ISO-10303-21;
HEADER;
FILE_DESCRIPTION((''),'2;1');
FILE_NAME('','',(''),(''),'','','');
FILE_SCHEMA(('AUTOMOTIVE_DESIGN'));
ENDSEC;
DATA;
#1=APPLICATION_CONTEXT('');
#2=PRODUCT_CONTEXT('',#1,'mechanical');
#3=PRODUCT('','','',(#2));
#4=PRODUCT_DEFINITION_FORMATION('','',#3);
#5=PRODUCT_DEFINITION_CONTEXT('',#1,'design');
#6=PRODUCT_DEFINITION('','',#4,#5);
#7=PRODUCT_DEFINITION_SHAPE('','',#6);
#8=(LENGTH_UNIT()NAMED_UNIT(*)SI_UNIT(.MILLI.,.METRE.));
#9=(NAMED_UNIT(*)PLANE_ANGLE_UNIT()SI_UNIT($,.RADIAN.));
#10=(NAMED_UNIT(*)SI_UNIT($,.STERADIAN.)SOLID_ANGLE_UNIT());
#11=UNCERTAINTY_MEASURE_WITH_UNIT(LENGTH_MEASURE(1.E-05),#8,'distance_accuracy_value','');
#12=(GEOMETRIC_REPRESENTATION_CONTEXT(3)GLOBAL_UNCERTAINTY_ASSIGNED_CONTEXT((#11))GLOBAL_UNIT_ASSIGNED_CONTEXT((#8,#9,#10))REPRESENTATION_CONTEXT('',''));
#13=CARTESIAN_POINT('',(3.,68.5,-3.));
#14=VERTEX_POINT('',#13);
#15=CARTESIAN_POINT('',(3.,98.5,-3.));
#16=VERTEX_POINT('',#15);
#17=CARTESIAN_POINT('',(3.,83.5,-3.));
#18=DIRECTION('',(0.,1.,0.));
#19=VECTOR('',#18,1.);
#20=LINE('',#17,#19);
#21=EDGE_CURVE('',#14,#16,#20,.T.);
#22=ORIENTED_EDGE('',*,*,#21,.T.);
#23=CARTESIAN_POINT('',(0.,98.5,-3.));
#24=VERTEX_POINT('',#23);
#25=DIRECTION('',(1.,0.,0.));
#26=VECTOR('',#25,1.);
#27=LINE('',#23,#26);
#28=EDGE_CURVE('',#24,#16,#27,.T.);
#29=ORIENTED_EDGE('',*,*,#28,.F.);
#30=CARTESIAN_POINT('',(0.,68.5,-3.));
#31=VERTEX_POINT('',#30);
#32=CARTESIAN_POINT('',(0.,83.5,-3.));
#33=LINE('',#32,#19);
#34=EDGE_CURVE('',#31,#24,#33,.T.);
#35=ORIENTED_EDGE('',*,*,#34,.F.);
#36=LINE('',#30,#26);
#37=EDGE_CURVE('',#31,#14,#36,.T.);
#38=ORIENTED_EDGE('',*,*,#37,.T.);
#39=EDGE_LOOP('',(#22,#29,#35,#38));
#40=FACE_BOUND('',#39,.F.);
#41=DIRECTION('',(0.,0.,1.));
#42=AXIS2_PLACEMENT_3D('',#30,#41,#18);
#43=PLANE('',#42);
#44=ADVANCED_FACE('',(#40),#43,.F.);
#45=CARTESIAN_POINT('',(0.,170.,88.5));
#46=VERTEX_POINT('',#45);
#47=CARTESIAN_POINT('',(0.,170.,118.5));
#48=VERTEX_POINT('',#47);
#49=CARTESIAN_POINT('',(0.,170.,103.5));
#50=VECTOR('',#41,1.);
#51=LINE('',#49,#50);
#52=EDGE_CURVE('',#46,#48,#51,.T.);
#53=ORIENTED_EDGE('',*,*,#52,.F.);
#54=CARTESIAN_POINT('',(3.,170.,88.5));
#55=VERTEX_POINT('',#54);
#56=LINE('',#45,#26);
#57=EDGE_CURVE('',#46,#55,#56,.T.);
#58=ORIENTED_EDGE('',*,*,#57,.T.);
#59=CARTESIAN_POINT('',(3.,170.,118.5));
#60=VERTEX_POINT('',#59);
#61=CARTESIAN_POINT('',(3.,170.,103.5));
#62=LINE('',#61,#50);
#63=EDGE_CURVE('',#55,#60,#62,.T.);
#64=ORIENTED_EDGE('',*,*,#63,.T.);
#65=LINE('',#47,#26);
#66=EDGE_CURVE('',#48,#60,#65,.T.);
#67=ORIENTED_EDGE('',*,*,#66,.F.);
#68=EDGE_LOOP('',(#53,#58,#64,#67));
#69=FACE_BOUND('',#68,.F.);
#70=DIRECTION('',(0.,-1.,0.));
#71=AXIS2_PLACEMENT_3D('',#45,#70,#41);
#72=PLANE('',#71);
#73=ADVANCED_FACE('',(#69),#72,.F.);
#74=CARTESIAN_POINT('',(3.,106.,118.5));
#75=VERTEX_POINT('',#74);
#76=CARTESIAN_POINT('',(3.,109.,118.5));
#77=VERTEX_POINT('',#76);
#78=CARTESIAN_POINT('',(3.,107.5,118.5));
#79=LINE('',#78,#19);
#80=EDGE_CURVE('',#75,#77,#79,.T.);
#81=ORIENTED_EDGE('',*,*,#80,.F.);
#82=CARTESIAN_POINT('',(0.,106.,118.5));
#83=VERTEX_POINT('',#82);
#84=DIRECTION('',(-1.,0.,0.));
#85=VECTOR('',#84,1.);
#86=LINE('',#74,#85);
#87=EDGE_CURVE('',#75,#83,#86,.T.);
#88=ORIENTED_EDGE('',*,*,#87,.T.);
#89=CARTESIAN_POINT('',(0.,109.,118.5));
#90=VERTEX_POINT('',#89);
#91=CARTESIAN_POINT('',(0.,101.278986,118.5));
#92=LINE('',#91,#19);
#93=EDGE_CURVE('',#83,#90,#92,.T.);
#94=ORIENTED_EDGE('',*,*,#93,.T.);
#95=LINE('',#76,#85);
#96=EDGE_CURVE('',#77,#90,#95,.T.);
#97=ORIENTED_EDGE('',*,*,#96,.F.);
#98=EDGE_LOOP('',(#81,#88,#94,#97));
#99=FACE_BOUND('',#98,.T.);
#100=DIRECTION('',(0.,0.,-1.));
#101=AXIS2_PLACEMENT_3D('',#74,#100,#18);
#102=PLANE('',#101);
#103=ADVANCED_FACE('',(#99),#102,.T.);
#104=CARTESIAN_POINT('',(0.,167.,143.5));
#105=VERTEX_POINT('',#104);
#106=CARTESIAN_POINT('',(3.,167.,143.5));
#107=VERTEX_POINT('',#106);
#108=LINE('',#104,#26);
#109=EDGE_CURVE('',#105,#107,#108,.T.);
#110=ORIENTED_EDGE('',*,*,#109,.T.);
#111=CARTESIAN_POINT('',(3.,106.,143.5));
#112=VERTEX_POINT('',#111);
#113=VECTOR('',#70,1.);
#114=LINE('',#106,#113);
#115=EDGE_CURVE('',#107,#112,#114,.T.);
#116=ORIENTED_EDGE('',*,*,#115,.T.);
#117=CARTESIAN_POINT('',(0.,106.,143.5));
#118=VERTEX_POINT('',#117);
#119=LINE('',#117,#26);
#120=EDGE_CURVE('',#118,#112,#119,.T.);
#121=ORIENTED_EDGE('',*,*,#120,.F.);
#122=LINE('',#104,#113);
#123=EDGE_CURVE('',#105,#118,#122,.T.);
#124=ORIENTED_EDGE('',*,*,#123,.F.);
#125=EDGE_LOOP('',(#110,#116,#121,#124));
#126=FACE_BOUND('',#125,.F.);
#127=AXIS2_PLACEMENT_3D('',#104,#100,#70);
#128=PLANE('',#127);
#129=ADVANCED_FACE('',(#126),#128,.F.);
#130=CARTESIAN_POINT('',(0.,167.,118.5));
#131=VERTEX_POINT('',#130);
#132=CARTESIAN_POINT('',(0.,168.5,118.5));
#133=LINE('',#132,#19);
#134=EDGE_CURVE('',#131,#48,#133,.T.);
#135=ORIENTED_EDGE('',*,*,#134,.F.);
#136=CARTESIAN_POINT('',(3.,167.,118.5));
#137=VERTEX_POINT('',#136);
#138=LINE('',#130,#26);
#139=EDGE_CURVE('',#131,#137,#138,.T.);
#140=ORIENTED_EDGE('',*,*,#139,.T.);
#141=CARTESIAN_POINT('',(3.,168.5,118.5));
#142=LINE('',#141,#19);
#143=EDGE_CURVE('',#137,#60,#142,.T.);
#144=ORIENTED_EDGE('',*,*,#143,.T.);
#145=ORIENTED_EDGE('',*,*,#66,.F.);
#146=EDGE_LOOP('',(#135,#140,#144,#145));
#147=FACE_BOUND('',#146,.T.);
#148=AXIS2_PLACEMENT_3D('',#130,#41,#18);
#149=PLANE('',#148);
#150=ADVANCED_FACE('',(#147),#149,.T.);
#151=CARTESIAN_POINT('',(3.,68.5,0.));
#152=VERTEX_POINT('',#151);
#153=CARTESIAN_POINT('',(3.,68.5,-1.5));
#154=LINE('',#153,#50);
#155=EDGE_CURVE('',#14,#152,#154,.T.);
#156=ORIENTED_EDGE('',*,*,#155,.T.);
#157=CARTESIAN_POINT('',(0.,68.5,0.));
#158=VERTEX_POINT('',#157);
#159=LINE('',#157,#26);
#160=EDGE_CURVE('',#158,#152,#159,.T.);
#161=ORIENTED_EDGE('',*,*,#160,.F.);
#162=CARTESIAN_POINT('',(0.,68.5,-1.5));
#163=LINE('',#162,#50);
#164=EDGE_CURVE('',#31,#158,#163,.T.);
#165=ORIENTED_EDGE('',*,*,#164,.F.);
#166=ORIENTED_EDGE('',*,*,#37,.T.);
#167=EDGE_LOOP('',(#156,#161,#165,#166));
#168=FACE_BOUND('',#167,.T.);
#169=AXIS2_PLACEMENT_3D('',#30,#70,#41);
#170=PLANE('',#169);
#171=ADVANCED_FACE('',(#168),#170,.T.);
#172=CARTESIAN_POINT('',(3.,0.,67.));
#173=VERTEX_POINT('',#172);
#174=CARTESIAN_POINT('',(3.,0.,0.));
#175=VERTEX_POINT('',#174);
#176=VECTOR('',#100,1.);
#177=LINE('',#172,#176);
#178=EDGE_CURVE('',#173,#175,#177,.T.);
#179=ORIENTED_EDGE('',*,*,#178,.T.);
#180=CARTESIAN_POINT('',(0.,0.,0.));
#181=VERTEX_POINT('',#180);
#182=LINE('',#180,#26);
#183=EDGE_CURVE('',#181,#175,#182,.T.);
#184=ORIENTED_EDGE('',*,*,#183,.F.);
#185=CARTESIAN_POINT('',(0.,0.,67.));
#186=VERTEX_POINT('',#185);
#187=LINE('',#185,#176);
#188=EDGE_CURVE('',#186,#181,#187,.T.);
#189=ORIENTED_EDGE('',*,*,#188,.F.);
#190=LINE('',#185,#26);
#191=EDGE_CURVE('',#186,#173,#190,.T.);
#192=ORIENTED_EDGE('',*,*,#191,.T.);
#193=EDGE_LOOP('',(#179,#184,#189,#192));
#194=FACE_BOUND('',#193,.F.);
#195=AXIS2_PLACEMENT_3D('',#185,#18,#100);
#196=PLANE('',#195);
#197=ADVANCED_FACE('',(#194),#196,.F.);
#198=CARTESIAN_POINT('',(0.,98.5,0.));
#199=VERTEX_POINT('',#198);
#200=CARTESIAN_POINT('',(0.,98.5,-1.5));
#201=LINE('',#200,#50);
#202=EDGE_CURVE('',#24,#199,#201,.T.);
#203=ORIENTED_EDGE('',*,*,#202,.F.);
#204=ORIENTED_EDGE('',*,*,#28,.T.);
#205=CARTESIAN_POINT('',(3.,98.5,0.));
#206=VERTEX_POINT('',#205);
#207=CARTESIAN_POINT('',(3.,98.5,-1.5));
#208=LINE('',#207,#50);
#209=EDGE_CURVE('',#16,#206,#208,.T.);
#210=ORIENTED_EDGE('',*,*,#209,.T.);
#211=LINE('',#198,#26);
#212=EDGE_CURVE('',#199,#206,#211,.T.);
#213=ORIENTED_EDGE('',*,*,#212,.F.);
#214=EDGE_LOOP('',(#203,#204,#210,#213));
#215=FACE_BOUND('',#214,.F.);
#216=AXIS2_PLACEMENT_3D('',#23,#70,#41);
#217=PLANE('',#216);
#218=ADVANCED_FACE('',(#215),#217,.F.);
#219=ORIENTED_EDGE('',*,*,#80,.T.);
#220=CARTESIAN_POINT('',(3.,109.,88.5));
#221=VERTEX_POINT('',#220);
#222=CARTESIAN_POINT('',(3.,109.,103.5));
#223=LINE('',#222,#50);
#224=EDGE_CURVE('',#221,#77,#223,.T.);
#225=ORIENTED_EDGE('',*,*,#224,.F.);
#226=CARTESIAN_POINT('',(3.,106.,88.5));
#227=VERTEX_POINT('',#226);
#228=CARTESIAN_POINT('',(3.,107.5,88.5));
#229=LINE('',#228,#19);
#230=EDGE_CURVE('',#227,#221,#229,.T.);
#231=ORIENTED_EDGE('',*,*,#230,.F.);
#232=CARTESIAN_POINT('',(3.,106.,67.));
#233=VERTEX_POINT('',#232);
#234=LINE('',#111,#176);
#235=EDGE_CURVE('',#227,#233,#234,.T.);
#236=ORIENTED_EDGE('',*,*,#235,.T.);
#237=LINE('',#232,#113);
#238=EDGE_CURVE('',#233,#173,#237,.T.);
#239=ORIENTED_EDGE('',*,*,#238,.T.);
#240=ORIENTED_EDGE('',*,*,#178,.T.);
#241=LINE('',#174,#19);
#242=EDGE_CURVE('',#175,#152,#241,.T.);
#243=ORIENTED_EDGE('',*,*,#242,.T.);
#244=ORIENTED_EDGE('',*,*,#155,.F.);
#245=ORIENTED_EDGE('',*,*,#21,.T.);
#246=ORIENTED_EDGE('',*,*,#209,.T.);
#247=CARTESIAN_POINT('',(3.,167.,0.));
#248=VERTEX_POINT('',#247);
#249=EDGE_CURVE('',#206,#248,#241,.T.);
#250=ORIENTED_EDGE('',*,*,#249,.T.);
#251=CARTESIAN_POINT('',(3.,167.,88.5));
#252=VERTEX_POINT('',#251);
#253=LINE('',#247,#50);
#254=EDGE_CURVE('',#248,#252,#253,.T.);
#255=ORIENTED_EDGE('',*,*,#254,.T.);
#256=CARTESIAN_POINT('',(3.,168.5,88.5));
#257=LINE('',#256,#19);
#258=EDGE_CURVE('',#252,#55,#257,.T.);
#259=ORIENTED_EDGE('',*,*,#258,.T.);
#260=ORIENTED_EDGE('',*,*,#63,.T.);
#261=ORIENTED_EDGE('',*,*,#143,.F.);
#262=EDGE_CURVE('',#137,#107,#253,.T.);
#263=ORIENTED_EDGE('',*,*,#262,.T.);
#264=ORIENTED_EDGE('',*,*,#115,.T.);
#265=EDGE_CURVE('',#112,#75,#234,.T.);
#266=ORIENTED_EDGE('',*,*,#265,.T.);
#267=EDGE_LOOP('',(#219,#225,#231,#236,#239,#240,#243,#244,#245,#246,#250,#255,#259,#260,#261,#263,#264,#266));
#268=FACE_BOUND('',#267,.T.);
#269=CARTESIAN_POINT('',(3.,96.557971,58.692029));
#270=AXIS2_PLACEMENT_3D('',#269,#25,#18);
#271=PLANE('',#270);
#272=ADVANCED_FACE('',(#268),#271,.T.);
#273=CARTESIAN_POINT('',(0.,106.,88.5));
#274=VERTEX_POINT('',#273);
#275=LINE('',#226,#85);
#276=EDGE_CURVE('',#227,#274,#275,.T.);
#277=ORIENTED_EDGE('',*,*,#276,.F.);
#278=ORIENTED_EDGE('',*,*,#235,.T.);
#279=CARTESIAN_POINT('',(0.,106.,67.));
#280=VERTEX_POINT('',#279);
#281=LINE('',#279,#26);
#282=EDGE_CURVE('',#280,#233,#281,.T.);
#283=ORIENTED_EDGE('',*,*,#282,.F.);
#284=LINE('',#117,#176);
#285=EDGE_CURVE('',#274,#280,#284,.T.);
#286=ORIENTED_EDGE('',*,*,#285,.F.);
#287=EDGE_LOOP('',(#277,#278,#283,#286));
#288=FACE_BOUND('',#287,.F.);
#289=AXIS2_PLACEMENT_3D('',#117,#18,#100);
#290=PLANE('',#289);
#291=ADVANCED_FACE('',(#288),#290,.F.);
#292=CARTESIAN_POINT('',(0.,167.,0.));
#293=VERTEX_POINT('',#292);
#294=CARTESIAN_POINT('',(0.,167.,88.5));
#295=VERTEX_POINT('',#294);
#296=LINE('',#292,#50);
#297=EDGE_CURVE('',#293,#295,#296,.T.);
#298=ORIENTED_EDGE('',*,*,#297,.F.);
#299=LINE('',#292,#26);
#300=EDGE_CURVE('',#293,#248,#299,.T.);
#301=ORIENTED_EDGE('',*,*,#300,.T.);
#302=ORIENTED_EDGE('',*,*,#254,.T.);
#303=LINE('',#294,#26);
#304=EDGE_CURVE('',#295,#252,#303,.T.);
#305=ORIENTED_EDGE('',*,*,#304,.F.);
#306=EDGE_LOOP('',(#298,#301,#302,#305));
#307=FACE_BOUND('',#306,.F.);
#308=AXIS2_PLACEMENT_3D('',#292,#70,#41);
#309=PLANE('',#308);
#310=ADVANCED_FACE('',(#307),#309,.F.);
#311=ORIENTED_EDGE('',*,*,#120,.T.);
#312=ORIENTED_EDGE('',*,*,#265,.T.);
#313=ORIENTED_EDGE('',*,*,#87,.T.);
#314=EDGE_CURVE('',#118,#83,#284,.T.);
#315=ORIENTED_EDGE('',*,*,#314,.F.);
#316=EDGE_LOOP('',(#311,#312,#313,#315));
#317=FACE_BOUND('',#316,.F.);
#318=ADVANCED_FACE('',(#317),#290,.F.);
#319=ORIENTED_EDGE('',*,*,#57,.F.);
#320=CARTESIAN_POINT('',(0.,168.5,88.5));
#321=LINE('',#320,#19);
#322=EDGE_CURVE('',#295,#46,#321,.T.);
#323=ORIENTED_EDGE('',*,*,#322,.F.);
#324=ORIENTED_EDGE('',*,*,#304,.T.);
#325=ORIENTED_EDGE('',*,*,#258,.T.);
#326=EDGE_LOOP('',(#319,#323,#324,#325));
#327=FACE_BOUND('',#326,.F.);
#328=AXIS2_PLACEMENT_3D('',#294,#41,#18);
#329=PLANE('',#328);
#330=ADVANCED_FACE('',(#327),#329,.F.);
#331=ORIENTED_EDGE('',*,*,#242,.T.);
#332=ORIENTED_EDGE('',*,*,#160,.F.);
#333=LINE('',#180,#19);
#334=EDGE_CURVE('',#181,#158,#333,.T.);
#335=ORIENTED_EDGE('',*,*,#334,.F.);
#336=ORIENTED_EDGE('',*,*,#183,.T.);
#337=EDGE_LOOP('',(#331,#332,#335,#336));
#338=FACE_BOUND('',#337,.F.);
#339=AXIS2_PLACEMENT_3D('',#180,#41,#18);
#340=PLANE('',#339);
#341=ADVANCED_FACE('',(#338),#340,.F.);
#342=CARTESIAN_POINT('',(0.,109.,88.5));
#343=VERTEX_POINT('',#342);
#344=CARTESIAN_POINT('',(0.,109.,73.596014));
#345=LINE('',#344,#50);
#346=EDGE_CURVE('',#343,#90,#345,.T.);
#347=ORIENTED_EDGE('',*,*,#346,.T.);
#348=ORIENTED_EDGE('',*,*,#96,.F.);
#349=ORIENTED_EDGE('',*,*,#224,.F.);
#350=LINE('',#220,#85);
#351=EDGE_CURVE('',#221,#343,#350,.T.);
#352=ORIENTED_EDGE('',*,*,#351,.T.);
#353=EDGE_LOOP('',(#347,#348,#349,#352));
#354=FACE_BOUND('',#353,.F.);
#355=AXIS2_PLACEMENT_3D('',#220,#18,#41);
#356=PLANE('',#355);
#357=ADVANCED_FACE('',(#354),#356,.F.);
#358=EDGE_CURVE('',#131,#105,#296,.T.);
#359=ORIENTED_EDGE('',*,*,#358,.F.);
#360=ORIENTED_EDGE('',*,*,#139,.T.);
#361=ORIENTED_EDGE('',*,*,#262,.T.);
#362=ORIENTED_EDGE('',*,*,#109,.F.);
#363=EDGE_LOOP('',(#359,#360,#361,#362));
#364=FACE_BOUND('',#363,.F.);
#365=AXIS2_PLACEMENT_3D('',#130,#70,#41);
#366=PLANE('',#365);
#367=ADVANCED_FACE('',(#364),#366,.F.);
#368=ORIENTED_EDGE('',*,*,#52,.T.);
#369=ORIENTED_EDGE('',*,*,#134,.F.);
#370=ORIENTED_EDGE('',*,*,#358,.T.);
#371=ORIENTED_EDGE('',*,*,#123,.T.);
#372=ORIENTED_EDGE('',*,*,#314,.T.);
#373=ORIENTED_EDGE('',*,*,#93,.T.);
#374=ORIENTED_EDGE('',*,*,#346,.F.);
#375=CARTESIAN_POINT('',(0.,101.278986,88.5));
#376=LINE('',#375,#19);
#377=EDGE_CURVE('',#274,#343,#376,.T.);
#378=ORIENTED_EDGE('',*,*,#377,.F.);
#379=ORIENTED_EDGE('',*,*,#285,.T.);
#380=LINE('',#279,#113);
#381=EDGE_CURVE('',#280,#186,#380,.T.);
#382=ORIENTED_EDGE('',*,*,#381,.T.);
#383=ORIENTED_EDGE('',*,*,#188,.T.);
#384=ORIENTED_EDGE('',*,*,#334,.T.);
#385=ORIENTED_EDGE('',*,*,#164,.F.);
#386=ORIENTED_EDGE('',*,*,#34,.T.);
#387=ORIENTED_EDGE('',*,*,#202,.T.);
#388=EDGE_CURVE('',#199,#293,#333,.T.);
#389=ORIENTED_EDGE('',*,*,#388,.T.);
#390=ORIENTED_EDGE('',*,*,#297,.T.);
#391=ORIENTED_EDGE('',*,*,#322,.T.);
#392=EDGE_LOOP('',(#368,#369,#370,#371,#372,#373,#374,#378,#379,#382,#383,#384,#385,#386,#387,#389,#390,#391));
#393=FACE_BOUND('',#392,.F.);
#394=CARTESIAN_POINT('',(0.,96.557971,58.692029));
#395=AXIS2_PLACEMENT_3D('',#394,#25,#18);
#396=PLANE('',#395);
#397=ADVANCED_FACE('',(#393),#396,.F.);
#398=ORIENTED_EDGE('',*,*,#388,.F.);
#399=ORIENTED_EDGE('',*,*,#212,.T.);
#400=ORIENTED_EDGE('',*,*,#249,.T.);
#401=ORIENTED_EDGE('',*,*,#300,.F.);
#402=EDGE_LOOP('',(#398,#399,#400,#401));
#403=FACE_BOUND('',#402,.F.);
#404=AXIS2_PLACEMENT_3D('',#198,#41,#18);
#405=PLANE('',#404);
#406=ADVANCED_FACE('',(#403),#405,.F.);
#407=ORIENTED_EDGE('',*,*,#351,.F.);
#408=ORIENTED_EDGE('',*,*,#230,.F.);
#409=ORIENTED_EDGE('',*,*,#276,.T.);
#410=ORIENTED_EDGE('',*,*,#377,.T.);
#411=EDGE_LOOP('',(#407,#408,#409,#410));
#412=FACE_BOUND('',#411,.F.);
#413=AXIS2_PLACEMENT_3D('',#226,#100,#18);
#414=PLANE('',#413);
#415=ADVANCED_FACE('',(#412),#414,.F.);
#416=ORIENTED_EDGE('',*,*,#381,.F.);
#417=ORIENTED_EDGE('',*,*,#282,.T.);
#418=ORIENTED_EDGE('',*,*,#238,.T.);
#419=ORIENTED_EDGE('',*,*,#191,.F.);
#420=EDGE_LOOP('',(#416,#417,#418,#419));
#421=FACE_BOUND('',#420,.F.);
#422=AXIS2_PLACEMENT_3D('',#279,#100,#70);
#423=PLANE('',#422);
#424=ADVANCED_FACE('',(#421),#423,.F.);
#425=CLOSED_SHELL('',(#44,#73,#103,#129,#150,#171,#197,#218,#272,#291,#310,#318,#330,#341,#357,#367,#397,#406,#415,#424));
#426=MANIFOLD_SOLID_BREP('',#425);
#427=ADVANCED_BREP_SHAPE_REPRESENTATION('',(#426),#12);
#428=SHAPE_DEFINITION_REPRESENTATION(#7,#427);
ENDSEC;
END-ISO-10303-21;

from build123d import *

# Parameters (mm, degrees)
F0_W     = 30
F0_H     = 3
F0_W_2   = 3
F0_H_2   = 30
F1_DEPTH = 3
F2_W     = 3
F2_H     = 30
F3_DEPTH = 25


with BuildPart() as f1:
    # F0 (on Right) → F1 (new body)
    with BuildSketch(Plane.YZ):
        Polygon((0, 67), (0, 0), (68.5, 0), (98.5, 0), (167, 0), (167, 88.5), (167, 118.5), (167, 143.5), (106, 143.5), (106, 67), align=None)
        with Locations((83.5, -1.5)):
            Rectangle(F0_W, F0_H)
        with Locations((168.5, 103.5)):
            Rectangle(F0_W_2, F0_H_2)
    extrude(amount=F1_DEPTH)

    # F2 (on face) → F3 (cut)
    with BuildSketch(Plane.YZ.offset(3)):
        with Locations((107.5, 103.5)):
            Rectangle(F2_W, F2_H)
    extrude(amount=-F3_DEPTH, mode=Mode.SUBTRACT)


solid = f1.part
